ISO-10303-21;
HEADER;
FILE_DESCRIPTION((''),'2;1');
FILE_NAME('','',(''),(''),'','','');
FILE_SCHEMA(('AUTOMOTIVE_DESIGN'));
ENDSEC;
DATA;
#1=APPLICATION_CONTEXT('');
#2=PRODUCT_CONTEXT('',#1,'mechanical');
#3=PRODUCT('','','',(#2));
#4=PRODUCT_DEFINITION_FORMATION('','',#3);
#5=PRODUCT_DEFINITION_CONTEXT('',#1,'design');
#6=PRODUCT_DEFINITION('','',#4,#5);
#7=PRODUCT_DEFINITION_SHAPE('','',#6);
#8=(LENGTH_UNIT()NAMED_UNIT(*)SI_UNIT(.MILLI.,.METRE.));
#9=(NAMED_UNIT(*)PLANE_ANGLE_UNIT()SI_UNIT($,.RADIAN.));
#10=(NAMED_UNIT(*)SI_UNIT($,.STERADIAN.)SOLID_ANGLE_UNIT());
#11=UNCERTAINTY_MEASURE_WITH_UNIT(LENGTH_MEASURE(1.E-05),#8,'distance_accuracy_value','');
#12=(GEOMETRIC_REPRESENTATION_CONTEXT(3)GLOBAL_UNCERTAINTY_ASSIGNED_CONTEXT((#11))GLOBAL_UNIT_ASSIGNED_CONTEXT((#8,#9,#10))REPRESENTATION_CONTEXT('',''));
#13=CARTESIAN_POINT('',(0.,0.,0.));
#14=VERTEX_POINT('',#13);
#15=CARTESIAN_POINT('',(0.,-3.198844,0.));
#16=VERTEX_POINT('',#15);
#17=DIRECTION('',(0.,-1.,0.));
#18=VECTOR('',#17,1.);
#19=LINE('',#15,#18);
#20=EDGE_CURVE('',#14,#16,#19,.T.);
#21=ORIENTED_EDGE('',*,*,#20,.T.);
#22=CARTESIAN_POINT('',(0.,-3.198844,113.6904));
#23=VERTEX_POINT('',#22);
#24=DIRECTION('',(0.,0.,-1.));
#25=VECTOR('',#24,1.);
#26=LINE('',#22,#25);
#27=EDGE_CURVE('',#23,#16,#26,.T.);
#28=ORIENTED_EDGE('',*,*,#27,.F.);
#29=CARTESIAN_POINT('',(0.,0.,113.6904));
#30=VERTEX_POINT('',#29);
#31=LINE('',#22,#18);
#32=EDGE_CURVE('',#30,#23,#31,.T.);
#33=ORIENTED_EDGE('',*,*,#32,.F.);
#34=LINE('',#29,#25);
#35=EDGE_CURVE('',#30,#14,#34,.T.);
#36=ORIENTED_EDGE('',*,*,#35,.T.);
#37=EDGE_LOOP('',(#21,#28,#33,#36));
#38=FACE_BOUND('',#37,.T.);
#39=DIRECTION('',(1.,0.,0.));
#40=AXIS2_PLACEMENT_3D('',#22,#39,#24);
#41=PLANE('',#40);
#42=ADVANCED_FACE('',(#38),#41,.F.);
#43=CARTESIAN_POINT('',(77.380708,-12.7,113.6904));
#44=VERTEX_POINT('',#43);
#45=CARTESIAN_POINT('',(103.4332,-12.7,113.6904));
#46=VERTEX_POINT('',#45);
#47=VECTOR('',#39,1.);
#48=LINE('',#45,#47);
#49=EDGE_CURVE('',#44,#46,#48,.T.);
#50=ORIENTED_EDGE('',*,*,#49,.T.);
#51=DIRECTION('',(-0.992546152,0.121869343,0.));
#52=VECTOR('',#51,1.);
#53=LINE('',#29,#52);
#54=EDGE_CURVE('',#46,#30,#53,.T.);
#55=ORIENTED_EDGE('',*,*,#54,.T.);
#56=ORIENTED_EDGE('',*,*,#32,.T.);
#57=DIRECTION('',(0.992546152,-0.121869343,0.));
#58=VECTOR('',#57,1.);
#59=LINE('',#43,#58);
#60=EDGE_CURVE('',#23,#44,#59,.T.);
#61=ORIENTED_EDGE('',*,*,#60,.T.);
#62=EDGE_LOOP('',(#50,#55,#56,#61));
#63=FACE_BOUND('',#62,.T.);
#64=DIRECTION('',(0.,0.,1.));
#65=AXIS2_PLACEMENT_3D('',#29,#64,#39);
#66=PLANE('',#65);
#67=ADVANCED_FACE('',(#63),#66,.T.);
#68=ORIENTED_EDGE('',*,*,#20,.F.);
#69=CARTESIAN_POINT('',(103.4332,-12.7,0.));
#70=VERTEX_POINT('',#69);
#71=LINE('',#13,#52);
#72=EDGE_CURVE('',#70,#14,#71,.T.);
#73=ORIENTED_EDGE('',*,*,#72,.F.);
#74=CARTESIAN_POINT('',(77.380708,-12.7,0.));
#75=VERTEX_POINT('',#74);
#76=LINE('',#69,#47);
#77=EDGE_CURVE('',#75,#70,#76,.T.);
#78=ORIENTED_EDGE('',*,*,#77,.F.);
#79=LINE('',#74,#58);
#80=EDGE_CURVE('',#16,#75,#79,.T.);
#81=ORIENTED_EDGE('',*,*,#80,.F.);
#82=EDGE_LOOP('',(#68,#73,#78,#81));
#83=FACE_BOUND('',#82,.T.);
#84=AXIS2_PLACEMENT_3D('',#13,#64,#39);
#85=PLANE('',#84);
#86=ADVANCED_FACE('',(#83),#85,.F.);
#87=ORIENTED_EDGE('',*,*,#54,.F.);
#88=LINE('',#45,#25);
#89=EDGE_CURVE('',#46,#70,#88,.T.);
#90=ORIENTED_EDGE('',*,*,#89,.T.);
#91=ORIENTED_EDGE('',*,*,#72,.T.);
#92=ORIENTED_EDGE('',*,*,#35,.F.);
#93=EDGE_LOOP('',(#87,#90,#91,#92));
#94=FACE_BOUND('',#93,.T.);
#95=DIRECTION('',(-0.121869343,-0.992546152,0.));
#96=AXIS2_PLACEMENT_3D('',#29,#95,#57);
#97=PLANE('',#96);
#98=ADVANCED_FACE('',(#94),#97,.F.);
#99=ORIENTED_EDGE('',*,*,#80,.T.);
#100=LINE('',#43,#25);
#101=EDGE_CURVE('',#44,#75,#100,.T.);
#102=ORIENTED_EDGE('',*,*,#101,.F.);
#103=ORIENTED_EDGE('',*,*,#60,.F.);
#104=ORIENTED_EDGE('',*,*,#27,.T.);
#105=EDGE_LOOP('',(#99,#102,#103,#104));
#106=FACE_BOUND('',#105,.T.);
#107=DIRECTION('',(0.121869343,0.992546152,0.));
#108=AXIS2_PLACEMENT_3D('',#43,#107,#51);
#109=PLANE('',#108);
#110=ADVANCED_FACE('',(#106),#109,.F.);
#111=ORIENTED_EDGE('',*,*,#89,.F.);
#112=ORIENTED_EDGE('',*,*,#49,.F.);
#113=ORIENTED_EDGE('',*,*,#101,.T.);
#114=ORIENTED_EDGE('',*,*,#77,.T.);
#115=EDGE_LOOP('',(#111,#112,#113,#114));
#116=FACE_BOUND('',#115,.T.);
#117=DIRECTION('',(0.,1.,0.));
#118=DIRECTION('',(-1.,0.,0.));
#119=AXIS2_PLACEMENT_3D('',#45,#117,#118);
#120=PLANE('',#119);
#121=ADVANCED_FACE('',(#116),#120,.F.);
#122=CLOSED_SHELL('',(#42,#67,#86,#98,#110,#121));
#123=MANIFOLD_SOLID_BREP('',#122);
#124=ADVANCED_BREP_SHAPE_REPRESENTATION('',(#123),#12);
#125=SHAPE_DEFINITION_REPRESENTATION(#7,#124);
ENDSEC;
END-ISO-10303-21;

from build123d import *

# Parameters (mm, degrees)
BOSS_EXTRUDE1_DEPTH = 113.6904


with BuildPart() as part:
    # Sketch1 → Boss-Extrude1 (new body)
    with BuildSketch(Plane.XY):
        Polygon((0, 0), (103.433199635, -12.7), (77.380708407, -12.7), (0, -3.198843696), align=None)
    extrude(amount=BOSS_EXTRUDE1_DEPTH)


solid = part.part
